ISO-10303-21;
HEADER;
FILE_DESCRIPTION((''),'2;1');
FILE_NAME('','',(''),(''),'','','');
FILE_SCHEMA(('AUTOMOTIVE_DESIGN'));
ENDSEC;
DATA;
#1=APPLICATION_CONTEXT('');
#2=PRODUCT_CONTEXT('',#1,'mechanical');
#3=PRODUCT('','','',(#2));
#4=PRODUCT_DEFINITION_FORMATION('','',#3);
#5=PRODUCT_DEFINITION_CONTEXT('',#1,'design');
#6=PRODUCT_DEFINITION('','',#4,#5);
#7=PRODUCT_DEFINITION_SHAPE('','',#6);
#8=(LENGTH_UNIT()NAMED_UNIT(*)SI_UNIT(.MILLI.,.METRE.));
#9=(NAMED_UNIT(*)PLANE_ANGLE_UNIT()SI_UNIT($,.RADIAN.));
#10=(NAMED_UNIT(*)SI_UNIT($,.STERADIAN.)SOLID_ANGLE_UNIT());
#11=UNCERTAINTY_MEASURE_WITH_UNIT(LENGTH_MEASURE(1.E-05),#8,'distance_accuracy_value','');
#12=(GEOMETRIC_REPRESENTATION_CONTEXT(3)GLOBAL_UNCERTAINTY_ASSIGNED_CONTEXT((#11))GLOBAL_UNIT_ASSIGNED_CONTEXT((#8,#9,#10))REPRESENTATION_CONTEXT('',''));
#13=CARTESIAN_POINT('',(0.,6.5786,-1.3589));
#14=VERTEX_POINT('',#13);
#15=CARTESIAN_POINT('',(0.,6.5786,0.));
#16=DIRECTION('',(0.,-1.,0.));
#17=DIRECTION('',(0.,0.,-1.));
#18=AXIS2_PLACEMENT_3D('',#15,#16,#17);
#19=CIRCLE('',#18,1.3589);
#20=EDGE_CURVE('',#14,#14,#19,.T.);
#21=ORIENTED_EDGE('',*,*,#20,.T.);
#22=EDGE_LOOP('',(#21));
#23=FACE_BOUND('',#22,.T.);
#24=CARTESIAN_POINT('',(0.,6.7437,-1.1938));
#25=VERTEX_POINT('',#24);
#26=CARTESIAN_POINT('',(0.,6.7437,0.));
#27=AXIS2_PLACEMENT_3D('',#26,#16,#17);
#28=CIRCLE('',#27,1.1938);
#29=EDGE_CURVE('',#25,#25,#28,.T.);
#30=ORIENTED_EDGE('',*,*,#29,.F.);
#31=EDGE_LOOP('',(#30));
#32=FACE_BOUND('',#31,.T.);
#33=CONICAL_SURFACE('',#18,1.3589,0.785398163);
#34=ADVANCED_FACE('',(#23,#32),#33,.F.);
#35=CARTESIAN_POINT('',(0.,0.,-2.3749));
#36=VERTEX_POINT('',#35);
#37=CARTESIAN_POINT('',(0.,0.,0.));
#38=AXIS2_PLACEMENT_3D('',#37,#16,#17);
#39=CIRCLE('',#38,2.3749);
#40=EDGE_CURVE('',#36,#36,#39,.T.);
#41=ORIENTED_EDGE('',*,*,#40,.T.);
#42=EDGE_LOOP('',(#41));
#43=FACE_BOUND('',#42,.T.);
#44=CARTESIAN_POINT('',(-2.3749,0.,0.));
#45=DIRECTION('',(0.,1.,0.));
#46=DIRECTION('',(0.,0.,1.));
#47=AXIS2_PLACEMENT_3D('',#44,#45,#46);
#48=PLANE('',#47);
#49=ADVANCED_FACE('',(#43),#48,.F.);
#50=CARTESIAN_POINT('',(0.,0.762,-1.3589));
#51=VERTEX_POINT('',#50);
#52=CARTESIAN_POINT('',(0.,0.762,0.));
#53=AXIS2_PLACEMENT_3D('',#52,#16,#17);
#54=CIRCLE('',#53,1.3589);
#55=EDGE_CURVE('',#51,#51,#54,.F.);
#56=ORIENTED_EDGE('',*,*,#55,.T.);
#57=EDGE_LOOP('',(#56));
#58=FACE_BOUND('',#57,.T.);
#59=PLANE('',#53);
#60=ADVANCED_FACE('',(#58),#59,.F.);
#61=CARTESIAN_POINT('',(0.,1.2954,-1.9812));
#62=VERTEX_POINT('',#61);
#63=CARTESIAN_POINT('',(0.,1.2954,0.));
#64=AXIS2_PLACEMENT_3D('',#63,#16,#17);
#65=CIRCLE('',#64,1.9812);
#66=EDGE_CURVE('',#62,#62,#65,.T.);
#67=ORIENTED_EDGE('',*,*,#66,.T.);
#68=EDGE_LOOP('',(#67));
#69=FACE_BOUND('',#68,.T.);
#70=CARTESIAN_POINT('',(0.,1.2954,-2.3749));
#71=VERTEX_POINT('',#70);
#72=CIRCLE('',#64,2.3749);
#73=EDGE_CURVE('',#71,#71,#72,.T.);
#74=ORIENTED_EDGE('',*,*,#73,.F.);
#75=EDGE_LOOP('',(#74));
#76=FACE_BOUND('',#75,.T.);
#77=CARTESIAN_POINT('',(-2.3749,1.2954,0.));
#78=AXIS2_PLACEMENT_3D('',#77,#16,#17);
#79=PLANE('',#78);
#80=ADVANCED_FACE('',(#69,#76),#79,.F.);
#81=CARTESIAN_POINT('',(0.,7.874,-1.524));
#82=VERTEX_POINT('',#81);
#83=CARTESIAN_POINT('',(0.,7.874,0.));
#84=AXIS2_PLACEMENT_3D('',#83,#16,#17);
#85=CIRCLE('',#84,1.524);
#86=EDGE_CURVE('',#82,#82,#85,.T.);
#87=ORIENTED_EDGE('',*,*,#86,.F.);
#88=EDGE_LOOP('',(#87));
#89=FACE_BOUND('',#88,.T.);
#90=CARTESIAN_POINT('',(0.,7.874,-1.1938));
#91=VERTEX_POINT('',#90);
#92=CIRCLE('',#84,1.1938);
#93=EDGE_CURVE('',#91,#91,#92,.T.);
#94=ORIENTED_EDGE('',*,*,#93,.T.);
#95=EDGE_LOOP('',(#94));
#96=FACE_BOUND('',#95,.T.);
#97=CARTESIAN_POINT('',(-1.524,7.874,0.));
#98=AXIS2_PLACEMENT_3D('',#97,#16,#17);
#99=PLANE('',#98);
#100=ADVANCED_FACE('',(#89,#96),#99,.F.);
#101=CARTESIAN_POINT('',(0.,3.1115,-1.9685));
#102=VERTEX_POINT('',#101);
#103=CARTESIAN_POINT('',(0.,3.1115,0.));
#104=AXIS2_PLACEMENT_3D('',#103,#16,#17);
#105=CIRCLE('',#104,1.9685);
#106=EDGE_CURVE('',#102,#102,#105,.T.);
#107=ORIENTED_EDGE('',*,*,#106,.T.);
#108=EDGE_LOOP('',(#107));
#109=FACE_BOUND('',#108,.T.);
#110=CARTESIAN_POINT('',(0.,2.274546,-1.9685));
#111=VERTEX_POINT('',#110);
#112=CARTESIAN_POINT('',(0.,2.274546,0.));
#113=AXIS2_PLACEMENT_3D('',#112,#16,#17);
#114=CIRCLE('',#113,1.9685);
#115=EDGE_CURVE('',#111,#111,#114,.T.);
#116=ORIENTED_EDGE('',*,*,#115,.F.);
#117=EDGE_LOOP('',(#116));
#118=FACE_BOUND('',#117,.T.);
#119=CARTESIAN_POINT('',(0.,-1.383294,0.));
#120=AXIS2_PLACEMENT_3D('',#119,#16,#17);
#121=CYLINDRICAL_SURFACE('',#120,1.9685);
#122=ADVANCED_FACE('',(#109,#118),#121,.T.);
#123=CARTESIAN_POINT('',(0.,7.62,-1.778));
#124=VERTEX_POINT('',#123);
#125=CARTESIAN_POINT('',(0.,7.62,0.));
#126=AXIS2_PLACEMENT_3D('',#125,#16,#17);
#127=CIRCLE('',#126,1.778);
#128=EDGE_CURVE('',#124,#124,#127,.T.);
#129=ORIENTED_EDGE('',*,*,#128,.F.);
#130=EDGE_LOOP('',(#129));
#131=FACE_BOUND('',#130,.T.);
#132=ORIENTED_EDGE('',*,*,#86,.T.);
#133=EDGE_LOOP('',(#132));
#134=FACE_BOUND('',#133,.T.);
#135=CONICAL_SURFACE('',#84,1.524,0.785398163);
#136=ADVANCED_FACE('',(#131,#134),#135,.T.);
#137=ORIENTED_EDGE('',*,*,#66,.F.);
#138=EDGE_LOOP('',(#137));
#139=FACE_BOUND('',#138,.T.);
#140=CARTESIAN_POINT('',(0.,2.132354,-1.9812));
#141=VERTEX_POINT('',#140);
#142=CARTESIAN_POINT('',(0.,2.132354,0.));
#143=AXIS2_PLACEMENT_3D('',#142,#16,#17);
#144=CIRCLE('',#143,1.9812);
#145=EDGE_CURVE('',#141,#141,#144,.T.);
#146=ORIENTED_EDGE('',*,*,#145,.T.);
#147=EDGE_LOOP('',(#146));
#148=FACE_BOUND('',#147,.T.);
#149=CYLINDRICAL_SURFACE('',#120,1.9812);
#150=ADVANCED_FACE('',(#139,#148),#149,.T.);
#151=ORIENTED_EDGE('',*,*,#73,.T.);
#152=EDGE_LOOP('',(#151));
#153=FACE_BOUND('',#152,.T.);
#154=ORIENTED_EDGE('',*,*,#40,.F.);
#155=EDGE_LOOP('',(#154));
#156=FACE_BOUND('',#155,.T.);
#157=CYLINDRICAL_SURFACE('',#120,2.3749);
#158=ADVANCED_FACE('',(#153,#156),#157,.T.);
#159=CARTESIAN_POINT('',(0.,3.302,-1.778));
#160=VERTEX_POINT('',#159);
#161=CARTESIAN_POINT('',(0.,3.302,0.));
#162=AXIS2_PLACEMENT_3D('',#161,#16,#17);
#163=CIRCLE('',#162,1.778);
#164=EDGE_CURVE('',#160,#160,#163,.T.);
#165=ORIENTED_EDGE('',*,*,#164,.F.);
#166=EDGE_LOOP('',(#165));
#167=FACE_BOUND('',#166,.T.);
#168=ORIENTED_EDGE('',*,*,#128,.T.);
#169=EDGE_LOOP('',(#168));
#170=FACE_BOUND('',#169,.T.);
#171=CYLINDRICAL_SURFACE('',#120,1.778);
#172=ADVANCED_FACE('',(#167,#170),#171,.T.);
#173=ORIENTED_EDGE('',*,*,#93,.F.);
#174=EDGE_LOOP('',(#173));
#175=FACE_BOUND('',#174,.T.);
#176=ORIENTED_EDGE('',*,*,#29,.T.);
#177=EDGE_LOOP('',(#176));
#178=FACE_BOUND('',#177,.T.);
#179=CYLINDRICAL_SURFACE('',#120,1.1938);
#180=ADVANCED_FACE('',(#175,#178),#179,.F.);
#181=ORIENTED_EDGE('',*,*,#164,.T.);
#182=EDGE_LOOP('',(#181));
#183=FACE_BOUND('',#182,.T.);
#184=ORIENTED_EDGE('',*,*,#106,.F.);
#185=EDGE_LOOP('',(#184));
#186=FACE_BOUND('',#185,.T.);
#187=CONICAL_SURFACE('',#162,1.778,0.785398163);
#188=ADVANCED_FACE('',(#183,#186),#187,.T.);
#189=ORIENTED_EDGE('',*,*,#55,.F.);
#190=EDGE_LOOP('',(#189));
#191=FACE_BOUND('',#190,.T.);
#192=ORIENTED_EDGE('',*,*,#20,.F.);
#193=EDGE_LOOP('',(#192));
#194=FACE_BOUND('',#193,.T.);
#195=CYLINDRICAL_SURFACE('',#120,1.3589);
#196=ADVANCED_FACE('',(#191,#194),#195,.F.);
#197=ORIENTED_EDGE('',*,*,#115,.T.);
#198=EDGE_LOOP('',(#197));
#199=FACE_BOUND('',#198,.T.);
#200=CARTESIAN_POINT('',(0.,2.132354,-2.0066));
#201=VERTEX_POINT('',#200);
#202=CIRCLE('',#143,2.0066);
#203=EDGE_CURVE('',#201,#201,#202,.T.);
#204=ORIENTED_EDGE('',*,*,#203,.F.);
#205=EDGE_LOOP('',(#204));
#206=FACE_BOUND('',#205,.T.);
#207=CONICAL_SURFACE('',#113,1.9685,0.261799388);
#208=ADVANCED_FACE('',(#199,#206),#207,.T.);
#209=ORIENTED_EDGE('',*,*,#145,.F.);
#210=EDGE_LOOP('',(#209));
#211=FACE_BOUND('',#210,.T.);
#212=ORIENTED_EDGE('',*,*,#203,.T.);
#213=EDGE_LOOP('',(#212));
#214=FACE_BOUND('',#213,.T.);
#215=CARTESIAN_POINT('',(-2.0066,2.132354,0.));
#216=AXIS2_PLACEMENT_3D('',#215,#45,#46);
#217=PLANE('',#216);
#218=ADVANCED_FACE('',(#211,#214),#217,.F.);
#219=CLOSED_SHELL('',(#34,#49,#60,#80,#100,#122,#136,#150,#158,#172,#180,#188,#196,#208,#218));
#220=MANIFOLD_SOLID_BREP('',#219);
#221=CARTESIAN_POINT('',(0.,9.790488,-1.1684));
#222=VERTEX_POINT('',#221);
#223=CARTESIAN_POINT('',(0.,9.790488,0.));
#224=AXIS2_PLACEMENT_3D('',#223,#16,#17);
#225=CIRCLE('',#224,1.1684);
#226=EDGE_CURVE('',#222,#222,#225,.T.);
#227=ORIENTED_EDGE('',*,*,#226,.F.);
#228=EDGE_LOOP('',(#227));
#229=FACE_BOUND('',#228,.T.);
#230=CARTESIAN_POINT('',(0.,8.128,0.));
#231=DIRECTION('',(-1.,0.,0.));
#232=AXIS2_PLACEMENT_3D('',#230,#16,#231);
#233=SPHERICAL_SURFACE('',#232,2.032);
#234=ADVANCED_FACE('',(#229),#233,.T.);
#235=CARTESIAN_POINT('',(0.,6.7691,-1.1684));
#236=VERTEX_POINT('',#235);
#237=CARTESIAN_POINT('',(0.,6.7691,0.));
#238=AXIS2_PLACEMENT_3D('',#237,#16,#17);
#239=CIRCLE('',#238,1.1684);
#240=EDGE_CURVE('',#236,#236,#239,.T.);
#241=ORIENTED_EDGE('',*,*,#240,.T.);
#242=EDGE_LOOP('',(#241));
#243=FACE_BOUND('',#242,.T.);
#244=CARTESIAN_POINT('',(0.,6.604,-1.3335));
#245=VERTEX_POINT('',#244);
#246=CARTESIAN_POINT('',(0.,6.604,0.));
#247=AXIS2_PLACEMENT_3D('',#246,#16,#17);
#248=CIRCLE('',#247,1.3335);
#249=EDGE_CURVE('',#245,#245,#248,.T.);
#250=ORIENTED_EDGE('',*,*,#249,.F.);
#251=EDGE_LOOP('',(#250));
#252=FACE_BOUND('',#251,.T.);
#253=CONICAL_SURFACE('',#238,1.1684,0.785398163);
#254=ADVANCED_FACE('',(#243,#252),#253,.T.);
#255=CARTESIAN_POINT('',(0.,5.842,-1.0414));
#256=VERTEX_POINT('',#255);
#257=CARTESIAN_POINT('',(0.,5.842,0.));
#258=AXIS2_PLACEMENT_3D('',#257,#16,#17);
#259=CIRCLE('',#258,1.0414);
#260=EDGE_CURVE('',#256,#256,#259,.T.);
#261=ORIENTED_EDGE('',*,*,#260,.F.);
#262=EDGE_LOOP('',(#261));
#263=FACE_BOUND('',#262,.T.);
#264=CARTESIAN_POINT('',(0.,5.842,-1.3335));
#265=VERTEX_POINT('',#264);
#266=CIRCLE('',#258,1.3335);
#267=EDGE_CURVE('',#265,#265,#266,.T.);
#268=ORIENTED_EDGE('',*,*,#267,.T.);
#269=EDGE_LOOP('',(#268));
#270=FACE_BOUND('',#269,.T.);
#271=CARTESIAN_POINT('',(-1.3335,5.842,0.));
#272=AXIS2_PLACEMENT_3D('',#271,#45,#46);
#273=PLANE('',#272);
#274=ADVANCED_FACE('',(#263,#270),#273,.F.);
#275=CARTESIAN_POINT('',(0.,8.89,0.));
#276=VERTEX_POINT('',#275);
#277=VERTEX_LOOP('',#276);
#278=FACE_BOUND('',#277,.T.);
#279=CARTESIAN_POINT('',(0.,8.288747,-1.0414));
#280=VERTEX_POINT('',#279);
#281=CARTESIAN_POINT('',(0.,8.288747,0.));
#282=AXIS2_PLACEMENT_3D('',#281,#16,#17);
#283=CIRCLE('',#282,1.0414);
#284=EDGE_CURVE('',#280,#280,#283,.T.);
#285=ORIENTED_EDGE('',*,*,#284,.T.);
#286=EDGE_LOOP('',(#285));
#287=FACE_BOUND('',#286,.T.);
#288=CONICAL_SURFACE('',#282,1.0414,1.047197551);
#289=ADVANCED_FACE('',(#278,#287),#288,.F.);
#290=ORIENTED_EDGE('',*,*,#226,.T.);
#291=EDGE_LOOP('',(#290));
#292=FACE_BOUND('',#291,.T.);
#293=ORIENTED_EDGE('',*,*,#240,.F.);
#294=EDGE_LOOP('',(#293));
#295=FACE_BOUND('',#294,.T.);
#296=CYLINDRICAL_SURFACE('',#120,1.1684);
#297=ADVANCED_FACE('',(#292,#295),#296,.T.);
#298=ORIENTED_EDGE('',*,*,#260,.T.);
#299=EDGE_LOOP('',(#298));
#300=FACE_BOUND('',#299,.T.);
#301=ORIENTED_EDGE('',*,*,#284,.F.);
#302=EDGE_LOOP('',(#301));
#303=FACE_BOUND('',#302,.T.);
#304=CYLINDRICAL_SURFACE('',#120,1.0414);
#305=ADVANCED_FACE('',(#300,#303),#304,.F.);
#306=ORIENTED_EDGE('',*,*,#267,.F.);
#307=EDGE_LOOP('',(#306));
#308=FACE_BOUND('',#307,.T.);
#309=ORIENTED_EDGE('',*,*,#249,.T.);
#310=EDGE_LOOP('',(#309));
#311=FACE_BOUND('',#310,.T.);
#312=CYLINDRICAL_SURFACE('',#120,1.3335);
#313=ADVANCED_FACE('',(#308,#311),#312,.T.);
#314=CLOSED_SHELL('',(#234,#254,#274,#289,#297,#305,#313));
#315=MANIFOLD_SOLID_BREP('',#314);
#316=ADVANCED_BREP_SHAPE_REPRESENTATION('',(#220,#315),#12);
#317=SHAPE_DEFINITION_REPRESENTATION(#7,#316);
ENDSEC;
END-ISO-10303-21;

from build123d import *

# Parameters (mm, degrees)
BOSS_EXTRUDE1_START = -0.762
SKETCH4_R           = 2.3749
BOSS_EXTRUDE1_DEPTH = 0.762


with BuildPart() as part:
    # Sketch2 → Revolve1 (revolve)
    with BuildSketch(Plane.XY, mode=Mode.PRIVATE) as revolve1_sk:
        Polygon((-1.3589, 6.5786), (-1.3589, 0), (-2.3749, 0), (-2.3749, 1.2954), (-1.9812, 1.2954), (-1.9812, 2.132354432), (-2.0066, 2.132354432), (-1.9685, 2.274545568), (-1.9685, 3.1115), (-1.778, 3.302), (-1.778, 7.62), (-1.524, 7.874), (-1.1938, 7.874), (-1.1938, 6.7437), align=None)
    revolve(revolve1_sk.sketch.rotate(Axis((0, -1.383294113, 0), (0, 1, 0)), 270), axis=Axis((0, -1.383294113, 0), (0, 1, 0)))

    # Sketch4 → Boss-Extrude1 (add)
    with BuildSketch(Plane.XZ.offset(BOSS_EXTRUDE1_START)):
        with Locations(Location((0, 0, 0), (0, 0, 270))):
            Circle(SKETCH4_R)
    extrude(amount=BOSS_EXTRUDE1_DEPTH)


with BuildPart() as body_2:
    # Sketch3 → Revolve2 (revolve)
    with BuildSketch(Plane.XY, mode=Mode.PRIVATE) as revolve2_sk:
        with BuildLine():
            Line((-1.1684, 6.7691), (-1.1684, 9.790487726))
            ThreePointArc((-1.1684, 9.790487726), (-0.612718916, 10.065420845), (0, 10.16))
            Line((0, 10.16), (0, 8.89))
            Line((0, 8.89), (-1.0414, 8.28874743))
            Line((-1.0414, 8.28874743), (-1.0414, 5.842))
            Line((-1.0414, 5.842), (-1.3335, 5.842))
            Line((-1.3335, 5.842), (-1.3335, 6.604))
            Line((-1.3335, 6.604), (-1.1684, 6.7691))
        make_face()
    revolve(revolve2_sk.sketch.rotate(Axis((0, -1.383294113, 0), (0, 1, 0)), 270), axis=Axis((0, -1.383294113, 0), (0, 1, 0)))


solid = Compound([part.part, body_2.part])
